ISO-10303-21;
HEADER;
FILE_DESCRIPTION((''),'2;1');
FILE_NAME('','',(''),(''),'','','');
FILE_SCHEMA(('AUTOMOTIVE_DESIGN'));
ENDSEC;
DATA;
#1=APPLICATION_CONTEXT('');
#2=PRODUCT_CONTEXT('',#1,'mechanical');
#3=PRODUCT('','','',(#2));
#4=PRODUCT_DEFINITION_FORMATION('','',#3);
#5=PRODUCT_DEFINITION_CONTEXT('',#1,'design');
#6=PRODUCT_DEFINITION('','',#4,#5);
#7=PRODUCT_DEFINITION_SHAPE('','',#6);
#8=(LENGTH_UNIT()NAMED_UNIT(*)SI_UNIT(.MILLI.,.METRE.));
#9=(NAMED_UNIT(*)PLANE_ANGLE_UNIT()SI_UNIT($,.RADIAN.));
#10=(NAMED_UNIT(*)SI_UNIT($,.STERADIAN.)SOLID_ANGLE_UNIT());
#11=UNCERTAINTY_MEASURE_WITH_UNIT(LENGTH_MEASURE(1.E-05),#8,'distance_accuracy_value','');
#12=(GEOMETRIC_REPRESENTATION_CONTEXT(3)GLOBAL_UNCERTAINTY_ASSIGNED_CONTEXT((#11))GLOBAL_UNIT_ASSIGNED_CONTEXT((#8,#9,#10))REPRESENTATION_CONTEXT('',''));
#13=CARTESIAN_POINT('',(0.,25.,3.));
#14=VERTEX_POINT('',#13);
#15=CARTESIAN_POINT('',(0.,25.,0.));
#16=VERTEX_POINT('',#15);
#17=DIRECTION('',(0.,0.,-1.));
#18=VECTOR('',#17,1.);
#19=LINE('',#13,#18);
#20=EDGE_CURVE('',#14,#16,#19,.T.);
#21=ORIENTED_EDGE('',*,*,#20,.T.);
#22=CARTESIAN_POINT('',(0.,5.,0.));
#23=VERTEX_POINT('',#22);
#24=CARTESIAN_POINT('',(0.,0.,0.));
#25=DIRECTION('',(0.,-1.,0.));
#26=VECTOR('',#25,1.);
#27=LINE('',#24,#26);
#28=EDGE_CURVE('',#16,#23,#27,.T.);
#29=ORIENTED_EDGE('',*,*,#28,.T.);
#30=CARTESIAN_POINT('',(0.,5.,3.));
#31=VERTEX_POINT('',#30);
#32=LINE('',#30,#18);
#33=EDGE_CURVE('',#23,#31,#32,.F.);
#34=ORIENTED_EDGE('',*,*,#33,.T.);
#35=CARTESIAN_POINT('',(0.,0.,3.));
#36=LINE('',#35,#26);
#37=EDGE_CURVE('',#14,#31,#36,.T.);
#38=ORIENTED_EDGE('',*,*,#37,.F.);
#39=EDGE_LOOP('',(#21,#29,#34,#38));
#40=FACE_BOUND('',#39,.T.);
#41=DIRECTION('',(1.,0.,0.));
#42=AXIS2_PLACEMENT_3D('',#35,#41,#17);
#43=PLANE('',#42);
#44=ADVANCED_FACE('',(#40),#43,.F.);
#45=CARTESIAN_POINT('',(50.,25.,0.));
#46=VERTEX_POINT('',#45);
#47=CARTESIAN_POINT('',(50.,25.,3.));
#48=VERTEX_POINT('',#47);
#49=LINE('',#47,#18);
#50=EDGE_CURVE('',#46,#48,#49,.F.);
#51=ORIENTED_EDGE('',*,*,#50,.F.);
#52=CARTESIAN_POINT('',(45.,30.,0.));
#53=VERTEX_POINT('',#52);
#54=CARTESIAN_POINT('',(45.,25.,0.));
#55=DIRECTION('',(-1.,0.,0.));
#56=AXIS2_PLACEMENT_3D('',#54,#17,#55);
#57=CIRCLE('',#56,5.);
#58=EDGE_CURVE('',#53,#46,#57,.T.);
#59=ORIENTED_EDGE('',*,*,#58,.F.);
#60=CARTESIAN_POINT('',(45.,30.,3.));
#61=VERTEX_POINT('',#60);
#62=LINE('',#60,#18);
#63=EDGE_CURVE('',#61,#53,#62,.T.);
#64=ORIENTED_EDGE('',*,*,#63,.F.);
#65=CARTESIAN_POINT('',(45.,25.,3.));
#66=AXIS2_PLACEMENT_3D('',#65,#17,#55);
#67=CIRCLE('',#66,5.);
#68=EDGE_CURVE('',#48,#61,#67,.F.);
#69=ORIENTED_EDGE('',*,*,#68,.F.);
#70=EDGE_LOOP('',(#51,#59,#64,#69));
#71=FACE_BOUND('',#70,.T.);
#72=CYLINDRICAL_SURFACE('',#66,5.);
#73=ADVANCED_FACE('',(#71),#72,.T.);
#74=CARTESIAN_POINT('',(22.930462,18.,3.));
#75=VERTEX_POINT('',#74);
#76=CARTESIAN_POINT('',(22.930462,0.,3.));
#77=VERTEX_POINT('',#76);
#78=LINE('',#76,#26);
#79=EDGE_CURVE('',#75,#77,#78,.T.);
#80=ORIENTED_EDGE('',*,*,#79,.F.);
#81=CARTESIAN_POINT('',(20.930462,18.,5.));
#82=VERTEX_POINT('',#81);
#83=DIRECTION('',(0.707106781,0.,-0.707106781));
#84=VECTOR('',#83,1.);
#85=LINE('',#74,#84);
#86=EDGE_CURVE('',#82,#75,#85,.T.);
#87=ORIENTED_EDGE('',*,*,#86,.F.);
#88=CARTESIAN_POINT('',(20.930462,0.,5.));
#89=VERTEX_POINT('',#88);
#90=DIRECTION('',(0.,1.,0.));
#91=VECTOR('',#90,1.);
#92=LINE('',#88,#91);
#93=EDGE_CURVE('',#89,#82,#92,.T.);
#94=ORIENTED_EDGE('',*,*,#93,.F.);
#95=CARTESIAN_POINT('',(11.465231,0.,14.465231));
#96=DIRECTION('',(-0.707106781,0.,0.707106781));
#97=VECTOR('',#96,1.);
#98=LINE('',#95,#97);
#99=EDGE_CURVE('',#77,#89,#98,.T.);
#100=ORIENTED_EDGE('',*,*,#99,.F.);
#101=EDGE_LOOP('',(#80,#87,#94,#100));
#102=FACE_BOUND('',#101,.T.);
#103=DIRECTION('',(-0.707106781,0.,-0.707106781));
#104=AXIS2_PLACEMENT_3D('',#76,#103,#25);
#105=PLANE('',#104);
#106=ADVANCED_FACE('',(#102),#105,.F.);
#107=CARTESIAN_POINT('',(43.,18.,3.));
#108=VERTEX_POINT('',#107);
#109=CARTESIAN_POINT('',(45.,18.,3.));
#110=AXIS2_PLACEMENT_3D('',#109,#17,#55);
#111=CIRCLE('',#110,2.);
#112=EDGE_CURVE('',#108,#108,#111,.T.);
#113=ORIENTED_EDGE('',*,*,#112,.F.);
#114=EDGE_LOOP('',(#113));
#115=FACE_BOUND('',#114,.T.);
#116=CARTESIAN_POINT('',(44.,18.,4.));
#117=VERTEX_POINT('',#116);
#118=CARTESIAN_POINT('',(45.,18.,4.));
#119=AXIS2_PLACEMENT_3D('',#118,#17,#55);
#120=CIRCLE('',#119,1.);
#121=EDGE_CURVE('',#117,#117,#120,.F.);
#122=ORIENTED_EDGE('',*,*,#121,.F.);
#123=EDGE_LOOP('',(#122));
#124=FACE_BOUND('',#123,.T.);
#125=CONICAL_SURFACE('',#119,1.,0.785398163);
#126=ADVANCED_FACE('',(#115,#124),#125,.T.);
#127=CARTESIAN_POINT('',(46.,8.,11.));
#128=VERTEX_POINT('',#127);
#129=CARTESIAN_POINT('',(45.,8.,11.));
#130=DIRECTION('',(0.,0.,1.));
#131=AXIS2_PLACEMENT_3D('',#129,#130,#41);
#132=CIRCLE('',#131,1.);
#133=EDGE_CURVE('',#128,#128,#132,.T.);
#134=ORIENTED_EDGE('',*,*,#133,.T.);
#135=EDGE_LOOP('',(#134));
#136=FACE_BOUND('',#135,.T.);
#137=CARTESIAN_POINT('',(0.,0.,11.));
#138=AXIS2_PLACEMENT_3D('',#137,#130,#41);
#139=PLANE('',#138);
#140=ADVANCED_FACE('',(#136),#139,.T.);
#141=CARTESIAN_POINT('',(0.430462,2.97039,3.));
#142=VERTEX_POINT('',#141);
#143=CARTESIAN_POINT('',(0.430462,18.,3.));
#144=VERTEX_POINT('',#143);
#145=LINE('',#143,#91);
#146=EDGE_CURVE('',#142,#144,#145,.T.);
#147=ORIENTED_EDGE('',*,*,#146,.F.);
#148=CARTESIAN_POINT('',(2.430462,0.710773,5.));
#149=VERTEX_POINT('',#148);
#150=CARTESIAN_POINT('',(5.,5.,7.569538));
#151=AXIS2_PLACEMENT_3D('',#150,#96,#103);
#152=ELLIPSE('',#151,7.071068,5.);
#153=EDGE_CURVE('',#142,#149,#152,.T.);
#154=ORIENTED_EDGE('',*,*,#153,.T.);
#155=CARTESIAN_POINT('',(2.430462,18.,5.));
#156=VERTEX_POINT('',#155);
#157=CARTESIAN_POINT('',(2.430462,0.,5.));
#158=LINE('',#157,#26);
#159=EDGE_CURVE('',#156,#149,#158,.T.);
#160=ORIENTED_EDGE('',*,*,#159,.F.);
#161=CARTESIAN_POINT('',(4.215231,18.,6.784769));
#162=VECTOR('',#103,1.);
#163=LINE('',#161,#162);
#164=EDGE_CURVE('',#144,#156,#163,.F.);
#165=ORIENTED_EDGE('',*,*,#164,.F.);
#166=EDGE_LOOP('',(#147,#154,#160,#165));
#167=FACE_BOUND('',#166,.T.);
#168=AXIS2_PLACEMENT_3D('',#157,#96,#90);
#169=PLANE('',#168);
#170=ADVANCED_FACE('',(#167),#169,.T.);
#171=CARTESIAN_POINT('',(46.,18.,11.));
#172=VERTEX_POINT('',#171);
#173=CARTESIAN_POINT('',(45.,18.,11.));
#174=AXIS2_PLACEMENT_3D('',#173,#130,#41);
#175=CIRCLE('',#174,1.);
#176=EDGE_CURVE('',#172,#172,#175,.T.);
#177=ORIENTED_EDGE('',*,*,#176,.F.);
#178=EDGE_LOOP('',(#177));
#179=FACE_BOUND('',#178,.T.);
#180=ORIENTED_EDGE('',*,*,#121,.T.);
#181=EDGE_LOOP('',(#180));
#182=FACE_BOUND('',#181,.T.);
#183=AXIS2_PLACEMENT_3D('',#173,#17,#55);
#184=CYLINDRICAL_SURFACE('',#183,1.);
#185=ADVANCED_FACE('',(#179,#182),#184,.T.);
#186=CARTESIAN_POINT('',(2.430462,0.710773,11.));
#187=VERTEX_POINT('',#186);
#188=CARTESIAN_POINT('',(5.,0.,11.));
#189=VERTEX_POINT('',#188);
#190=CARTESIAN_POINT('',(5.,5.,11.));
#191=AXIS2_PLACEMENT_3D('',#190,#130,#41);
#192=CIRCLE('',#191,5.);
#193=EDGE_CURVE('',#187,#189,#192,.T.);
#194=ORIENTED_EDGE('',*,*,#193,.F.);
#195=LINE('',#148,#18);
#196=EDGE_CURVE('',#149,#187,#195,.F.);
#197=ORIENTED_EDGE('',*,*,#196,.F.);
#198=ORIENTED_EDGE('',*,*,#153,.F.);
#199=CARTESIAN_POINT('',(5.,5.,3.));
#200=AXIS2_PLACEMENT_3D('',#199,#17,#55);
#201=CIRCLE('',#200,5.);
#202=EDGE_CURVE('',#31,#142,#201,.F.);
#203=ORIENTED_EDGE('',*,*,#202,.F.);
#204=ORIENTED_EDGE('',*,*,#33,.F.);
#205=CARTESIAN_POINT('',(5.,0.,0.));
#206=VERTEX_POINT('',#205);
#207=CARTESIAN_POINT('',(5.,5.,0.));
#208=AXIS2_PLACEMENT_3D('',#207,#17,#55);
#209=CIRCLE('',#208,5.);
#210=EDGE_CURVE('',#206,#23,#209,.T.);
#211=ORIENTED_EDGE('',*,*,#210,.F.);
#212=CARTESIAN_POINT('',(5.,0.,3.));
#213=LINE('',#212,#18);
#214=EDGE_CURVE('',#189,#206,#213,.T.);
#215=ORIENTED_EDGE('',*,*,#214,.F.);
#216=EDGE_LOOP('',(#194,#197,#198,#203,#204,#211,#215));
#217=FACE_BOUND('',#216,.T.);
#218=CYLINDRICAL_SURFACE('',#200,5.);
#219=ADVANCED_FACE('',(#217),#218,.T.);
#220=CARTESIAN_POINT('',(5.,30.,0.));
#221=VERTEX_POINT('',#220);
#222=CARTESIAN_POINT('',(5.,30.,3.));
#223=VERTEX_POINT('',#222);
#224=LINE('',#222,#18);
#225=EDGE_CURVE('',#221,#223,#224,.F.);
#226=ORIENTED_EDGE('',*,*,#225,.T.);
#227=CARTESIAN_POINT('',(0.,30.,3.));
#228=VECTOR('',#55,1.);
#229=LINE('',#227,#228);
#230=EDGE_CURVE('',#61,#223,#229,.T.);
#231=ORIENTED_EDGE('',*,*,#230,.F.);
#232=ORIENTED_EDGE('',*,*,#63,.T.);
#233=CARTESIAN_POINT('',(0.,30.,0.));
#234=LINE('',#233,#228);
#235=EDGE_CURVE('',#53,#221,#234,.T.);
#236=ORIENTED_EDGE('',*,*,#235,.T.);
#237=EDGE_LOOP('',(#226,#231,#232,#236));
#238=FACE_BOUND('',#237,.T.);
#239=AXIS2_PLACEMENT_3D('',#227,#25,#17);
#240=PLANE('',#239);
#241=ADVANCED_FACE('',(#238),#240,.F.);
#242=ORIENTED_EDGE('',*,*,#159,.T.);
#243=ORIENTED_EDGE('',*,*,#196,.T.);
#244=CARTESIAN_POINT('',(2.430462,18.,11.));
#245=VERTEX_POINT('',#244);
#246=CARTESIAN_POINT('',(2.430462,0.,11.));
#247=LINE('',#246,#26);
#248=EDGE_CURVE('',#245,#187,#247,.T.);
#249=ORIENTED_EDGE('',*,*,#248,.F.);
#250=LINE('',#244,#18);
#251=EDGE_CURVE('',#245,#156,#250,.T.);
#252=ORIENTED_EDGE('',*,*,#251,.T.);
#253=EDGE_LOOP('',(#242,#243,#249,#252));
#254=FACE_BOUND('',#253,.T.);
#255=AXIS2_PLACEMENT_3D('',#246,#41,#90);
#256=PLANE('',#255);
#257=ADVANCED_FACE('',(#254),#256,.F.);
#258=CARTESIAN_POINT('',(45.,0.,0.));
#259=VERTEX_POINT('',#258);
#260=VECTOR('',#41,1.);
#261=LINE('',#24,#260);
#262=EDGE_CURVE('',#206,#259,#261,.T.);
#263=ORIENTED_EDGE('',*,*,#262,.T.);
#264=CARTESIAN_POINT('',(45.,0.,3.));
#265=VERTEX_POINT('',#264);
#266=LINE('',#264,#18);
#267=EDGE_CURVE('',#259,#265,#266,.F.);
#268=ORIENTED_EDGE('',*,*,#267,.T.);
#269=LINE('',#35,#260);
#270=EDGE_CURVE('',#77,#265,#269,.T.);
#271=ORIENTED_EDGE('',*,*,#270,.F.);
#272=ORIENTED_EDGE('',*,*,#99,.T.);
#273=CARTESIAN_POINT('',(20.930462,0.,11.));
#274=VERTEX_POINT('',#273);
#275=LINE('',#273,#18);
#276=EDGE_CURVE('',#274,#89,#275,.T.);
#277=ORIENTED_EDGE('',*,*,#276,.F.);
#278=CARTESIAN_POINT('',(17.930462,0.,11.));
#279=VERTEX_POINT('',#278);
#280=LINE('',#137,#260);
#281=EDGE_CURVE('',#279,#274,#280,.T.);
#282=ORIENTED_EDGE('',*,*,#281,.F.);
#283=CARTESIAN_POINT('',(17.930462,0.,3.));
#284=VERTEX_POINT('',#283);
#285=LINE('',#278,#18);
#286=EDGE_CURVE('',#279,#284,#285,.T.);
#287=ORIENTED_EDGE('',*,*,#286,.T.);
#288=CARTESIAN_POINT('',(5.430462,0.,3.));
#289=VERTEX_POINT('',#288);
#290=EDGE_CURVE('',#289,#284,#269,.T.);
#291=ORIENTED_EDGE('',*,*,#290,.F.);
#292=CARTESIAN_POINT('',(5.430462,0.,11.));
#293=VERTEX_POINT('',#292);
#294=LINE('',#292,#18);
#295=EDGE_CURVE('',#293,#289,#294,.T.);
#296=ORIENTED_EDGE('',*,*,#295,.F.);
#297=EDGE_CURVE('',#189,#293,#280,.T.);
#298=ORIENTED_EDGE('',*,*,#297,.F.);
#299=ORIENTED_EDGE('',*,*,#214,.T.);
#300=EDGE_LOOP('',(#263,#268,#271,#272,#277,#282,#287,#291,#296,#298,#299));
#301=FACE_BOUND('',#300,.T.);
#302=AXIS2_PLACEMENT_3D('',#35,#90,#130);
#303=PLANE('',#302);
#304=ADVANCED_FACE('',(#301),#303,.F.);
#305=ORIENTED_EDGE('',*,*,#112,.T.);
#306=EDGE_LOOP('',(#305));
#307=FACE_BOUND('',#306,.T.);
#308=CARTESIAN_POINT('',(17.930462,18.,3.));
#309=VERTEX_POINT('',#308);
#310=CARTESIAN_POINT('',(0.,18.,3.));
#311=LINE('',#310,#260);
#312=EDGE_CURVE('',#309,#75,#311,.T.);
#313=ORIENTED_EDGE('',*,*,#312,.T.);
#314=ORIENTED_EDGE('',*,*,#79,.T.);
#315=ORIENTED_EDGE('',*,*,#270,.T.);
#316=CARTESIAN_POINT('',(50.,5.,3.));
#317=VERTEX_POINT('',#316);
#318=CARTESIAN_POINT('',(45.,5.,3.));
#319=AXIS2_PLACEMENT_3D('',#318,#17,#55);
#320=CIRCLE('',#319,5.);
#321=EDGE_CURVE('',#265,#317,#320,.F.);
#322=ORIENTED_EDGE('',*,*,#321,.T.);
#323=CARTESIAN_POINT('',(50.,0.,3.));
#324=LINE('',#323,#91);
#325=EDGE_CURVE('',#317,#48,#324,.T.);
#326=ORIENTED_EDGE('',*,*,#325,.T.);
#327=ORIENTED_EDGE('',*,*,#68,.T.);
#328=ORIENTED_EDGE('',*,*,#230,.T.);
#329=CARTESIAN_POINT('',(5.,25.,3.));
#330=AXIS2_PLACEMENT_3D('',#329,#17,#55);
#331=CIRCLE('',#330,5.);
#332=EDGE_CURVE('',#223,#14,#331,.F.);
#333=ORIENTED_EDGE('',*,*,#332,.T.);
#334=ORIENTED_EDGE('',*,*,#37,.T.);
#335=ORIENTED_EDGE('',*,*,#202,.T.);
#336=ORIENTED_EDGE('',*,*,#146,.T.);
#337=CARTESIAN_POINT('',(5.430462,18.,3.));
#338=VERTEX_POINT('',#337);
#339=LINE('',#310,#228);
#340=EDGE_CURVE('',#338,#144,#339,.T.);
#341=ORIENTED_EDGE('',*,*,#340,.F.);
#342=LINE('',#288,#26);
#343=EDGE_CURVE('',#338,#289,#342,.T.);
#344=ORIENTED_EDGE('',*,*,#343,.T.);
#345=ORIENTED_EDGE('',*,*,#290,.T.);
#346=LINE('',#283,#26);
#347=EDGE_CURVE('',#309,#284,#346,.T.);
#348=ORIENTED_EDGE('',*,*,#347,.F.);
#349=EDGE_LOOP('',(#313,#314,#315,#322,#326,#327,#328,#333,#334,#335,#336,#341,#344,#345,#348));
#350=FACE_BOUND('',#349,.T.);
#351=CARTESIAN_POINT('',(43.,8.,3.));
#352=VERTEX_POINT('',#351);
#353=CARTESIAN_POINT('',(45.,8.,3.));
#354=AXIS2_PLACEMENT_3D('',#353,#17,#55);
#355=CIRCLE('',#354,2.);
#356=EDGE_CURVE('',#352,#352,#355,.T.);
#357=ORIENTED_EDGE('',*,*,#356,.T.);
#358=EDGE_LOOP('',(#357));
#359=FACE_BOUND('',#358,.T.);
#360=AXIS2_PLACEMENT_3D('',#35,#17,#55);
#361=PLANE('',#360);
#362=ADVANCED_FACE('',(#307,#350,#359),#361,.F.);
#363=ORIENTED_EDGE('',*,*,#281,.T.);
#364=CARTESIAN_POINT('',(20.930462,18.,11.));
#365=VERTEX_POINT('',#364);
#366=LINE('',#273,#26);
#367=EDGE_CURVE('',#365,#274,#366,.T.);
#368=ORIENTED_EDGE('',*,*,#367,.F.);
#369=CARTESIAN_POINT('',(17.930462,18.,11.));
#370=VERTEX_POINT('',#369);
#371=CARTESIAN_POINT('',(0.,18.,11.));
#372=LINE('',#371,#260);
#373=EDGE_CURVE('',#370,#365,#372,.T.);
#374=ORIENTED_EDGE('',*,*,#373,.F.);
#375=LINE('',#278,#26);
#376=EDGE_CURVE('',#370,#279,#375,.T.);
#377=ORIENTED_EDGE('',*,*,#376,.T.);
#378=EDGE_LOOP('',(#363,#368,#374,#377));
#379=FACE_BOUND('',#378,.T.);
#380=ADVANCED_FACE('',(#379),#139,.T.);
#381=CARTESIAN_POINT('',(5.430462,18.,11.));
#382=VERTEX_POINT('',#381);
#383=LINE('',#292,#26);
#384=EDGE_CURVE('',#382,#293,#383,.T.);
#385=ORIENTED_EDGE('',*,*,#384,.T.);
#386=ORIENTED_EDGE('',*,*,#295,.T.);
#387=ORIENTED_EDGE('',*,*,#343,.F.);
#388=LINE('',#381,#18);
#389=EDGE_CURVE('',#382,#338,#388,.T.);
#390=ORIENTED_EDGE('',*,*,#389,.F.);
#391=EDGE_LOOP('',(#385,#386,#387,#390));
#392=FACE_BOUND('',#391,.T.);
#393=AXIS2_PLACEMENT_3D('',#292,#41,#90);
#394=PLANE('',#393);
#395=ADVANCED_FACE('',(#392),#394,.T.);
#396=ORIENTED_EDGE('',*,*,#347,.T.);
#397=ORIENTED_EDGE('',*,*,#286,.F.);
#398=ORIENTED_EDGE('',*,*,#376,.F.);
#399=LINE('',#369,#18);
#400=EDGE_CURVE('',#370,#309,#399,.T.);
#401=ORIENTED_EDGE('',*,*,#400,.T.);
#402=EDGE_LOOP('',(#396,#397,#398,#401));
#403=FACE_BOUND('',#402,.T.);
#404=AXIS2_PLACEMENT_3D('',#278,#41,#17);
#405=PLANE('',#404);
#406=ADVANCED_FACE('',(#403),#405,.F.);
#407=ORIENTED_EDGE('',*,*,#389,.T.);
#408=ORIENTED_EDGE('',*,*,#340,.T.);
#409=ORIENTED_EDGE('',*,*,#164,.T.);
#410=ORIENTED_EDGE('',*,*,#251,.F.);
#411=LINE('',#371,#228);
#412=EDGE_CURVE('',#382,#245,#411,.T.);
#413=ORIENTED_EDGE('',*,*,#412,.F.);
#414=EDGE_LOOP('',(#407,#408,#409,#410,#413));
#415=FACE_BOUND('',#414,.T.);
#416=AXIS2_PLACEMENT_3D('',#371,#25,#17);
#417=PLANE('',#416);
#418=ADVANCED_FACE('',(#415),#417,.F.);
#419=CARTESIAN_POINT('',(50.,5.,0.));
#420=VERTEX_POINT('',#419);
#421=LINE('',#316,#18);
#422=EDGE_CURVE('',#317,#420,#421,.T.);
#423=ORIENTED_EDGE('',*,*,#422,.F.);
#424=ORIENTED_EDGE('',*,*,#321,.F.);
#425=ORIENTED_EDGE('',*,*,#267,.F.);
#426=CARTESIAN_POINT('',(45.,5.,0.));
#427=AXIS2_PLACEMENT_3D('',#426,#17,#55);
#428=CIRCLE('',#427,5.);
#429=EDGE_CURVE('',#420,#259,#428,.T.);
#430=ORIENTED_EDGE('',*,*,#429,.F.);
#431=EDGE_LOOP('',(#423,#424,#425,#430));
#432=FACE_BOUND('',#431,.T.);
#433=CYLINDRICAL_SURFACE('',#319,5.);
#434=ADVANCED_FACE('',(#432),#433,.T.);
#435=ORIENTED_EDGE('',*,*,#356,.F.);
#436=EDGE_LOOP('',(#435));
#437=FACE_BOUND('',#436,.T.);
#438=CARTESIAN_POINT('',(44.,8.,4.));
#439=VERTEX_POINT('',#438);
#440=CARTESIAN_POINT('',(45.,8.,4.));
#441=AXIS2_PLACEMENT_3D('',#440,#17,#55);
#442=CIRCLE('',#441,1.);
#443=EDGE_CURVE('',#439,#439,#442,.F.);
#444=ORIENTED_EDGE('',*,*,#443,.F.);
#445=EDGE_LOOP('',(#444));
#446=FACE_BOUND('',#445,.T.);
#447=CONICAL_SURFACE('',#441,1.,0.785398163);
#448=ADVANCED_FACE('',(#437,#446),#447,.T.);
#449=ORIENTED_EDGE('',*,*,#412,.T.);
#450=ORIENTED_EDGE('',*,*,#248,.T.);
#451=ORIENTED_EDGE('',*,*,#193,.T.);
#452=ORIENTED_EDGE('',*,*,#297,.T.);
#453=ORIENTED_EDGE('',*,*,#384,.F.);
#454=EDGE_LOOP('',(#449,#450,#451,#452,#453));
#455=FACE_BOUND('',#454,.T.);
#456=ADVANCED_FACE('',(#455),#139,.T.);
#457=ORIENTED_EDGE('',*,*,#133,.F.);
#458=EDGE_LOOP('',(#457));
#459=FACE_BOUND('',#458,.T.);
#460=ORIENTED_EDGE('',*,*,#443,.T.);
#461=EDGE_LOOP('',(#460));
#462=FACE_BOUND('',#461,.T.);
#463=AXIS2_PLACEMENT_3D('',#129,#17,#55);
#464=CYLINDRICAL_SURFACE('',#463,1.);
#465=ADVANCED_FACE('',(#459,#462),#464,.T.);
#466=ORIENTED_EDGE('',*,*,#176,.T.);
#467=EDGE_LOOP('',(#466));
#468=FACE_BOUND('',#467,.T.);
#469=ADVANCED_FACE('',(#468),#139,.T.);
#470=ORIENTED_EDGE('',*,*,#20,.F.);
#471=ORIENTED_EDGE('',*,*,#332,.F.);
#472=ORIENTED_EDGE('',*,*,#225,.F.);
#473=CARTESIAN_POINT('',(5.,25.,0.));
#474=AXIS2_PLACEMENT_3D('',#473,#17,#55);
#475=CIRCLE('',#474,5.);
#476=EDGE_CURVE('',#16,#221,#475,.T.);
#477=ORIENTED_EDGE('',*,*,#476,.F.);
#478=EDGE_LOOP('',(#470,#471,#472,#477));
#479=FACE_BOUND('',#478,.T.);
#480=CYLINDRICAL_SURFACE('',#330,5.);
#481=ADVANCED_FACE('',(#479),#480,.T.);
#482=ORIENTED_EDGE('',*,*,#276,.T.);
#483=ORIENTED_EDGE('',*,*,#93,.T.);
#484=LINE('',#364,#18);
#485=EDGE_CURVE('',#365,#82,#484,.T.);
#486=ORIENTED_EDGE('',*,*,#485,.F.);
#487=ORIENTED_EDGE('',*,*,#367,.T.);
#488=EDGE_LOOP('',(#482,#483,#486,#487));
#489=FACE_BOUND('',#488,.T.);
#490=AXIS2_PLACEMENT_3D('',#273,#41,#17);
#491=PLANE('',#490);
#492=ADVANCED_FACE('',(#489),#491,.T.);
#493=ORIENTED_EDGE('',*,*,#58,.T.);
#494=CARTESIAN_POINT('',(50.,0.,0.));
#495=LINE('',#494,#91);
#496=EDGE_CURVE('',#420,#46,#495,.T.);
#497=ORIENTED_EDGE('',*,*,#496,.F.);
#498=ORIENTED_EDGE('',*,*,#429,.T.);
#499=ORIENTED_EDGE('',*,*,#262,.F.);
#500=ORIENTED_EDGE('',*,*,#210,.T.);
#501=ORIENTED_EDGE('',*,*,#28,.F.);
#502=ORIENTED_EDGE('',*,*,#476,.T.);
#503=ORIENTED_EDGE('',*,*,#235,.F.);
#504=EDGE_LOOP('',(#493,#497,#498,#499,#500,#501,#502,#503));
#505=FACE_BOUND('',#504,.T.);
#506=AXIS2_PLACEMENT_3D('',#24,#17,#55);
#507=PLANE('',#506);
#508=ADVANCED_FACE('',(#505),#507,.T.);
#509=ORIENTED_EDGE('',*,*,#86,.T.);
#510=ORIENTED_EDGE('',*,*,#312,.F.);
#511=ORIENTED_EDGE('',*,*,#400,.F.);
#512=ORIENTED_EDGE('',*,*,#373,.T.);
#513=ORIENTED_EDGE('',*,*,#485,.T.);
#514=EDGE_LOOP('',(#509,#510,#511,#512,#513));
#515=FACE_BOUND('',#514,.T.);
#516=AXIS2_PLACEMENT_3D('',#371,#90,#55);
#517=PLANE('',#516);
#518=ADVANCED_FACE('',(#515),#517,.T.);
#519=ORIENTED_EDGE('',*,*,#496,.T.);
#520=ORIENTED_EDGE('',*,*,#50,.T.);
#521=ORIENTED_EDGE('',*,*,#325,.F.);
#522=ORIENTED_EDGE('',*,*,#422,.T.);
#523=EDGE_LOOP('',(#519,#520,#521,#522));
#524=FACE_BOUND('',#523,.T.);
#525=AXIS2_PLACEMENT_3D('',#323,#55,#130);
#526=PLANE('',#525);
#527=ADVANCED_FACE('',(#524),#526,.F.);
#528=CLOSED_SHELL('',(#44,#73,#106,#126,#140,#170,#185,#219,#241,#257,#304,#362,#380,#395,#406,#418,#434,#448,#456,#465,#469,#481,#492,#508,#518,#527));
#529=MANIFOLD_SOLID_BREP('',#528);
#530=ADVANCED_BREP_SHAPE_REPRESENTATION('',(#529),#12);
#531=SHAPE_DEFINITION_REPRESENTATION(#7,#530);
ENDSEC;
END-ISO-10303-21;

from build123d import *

# Parameters (mm, degrees)
SKETCH1_W           = 50
SKETCH1_H           = 30
BOSS_EXTRUDE1_DEPTH = 3
SKETCH2_W           = 3
SKETCH2_H           = 18
SKETCH2_R           = 1
BOSS_EXTRUDE2_DEPTH = 8
CHAMFER1_SIZE       = 2
FILLET1_R           = 5
CHAMFER3_SIZE       = 1


with BuildPart() as part:
    # Sketch1 → Boss-Extrude1 (new body)
    with BuildSketch(Plane.XY):
        with Locations((25, 15)):
            Rectangle(SKETCH1_W, SKETCH1_H)
    extrude(amount=BOSS_EXTRUDE1_DEPTH)

    # Sketch2 → Boss-Extrude2 (add)
    with BuildSketch(Plane.XY.offset(3)):
        with Locations((3.930461557, 9)):
            Rectangle(SKETCH2_W, SKETCH2_H)
        with Locations((19.430461557, 9)):
            Rectangle(SKETCH2_W, SKETCH2_H)
        with Locations((45, 18)):
            Circle(SKETCH2_R)
        with Locations((45, 8)):
            Circle(SKETCH2_R)
    extrude(amount=BOSS_EXTRUDE2_DEPTH)

    # Chamfer1
    chamfer1_edges = [part.edges().sort_by_distance(p)[0] for p in [
        (2.430461557, 9, 3),
        (20.930461557, 9, 3),
    ]]
    chamfer(chamfer1_edges, length=CHAMFER1_SIZE)

    # Fillet1
    fillet1_edges = [part.edges().sort_by_distance(p)[0] for p in [
        (0, 0, 1.5),
        (50, 0, 1.5),
        (50, 30, 1.5),
        (0, 30, 1.5),
    ]]
    fillet(fillet1_edges, radius=FILLET1_R)

    # Chamfer3
    chamfer3_edges = [part.edges().sort_by_distance(p)[0] for p in [
        (44, 18, 3),
        (44, 8, 3),
    ]]
    chamfer(chamfer3_edges, length=CHAMFER3_SIZE)


solid = part.part
